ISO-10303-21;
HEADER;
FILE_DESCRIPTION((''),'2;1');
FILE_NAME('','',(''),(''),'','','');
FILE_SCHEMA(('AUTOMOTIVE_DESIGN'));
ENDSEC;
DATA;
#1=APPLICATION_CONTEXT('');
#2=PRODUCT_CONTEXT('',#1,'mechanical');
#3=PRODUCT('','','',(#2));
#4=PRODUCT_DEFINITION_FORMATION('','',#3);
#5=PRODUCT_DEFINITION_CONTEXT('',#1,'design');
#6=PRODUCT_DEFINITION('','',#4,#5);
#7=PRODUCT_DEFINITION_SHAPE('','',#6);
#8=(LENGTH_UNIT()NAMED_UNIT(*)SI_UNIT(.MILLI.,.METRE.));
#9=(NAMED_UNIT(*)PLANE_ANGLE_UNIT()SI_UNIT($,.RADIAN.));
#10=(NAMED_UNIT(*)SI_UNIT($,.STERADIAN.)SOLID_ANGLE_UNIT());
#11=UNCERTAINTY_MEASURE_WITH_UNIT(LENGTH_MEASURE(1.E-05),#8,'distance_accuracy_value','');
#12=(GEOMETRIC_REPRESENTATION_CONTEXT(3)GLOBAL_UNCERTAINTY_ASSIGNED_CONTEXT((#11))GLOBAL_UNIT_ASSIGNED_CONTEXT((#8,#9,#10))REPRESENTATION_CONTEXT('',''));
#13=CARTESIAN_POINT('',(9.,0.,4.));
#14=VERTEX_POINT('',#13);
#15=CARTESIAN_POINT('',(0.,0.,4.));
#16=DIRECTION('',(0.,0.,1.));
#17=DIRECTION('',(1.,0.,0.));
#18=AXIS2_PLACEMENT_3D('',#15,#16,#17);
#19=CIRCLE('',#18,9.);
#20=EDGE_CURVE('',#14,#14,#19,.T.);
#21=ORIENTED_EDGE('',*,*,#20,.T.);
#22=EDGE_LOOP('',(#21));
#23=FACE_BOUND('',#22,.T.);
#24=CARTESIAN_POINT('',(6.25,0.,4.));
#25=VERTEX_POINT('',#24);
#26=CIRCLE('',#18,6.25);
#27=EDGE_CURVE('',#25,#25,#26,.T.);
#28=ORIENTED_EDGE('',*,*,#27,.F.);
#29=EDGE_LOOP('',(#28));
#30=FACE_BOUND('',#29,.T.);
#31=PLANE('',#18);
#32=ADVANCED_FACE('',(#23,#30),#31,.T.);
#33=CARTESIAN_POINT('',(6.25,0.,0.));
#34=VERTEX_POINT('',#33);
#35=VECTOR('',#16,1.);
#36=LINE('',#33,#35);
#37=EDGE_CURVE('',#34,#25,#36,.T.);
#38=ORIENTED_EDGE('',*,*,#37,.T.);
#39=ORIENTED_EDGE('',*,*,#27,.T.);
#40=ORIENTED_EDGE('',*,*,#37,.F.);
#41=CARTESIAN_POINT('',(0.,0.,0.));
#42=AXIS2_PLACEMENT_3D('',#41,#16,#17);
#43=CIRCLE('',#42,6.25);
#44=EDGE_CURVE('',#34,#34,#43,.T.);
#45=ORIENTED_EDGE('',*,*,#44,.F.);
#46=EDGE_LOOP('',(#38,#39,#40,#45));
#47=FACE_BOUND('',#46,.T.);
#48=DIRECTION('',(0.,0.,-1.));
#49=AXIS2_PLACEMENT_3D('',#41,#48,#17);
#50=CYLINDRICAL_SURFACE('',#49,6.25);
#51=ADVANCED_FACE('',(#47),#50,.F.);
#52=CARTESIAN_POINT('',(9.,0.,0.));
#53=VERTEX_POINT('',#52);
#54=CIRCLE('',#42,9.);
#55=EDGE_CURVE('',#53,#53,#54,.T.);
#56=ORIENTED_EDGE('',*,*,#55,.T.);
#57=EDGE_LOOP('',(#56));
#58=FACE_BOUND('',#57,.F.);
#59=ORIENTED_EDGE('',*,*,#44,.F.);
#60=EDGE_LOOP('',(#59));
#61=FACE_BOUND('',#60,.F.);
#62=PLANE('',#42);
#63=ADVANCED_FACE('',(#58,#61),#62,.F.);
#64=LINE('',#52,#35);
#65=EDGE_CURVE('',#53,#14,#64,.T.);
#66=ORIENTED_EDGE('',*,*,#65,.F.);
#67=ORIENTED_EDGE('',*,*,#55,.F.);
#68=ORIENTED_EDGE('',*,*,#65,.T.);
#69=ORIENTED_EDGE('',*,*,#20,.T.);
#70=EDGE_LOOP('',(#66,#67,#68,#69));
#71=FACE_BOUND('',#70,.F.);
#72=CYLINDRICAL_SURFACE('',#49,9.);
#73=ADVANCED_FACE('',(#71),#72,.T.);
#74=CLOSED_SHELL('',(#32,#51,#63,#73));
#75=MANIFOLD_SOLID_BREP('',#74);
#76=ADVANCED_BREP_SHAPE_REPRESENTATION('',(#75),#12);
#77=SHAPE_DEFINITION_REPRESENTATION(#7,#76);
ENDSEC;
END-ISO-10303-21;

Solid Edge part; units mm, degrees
sketch "Sketch1" plane through (0, 0, 0) normal (0, 0, 1) x (1, 0, 0)
  circle A0 centre (0, 0) radius 9
  circle A1 centre (0, 0) radius 6.25
  dimension "D1" = 18
  dimension "D2" = 12.5
extrude "Protrusion1" add sketch "Sketch1" along normal blind 4
